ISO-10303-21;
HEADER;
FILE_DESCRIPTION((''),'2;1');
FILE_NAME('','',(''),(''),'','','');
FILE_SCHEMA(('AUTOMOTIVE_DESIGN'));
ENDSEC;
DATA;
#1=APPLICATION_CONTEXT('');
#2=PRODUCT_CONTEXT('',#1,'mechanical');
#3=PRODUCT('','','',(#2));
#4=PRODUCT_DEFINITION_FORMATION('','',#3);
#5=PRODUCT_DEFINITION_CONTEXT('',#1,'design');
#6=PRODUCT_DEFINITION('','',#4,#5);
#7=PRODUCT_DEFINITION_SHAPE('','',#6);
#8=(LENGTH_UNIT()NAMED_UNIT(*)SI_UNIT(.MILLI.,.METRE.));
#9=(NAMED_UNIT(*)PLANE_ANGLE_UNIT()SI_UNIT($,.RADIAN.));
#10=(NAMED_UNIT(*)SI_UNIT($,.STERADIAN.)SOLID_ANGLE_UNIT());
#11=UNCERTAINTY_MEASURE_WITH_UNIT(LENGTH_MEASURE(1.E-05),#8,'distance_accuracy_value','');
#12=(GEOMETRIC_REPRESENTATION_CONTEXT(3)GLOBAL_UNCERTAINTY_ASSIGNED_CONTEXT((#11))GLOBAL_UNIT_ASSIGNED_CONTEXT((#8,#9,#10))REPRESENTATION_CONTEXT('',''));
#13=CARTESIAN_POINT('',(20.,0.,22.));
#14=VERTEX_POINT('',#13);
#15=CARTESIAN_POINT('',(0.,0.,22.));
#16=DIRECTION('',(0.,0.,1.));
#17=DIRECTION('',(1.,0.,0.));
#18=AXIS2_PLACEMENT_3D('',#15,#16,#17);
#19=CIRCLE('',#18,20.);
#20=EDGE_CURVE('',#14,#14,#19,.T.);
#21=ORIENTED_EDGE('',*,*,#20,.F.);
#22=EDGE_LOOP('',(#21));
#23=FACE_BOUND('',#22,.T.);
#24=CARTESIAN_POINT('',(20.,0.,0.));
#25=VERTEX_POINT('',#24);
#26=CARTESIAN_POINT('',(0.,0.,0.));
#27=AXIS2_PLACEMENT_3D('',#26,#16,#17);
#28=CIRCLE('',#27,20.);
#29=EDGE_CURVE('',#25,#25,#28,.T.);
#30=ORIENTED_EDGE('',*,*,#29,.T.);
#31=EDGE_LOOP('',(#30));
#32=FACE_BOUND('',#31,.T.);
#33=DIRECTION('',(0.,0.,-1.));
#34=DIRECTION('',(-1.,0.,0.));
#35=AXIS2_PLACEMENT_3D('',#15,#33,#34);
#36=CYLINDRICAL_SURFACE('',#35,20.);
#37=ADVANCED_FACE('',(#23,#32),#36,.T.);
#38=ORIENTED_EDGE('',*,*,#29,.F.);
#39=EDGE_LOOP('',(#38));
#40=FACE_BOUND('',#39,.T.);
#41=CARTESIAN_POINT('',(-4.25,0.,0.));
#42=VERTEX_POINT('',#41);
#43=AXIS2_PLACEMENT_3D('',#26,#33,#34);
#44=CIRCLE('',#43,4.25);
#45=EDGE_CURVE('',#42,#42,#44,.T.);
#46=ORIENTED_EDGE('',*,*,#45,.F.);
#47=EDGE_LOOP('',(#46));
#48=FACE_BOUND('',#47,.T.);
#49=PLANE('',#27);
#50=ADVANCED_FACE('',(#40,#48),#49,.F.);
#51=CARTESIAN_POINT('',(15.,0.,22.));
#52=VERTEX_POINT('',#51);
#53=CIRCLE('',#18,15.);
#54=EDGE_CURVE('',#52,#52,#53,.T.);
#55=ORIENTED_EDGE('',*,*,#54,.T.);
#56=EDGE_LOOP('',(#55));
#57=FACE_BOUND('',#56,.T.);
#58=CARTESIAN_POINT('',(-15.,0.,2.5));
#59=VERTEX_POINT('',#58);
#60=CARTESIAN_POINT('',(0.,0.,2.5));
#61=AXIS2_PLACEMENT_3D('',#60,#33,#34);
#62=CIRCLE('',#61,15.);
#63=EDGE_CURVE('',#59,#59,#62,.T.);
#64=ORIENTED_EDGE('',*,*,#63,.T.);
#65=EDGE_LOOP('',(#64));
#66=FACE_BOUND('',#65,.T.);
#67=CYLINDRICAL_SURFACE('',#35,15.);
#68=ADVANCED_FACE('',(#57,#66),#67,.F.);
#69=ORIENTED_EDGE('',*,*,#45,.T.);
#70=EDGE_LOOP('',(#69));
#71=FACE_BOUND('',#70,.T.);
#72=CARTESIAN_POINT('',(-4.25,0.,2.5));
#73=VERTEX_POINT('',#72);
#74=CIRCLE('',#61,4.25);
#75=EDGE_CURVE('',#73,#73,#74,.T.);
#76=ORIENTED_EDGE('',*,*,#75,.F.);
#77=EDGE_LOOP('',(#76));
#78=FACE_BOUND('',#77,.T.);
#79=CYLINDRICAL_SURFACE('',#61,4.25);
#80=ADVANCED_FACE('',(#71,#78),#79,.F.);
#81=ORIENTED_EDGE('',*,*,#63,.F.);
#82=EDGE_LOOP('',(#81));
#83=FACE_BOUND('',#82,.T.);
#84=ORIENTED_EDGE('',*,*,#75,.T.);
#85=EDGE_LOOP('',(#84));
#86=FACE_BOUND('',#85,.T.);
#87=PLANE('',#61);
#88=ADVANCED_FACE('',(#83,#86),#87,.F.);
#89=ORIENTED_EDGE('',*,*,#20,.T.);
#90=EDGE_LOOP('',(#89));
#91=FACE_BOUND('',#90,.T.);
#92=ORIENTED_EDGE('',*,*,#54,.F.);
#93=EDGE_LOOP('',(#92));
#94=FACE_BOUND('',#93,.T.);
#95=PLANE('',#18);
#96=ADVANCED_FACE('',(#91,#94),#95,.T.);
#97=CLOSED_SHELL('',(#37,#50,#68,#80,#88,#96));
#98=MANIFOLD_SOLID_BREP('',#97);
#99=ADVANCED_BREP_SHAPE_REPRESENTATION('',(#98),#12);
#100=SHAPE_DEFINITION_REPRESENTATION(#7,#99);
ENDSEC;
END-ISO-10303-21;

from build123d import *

# Parameters (mm, degrees)
ESQUISSE1_R             = 20
ESQUISSE1_R_2           = 15
BOSS_EXTRU_1_DEPTH      = 22
ESQUISSE5_R             = 15
BOSS_EXTRU_3_DEPTH      = 2.5
ESQUISSE12_R            = 4.25
ENL_V_MAT_EXTRU_2_DEPTH = 2.5


with BuildPart() as part:
    # Esquisse1 → Boss.-Extru.1 (new body)
    with BuildSketch(Plane.XY):
        Circle(ESQUISSE1_R)
        Circle(ESQUISSE1_R_2, mode=Mode.SUBTRACT)
    extrude(amount=BOSS_EXTRU_1_DEPTH)

    # Esquisse5 → Boss.-Extru.3 (add)
    with BuildSketch(Plane(origin=(0, 0, 0), x_dir=(-1, 0, 0), z_dir=(0, 0, -1))):
        Circle(ESQUISSE5_R)
    extrude(amount=-BOSS_EXTRU_3_DEPTH)

    # Esquisse12 → Enlèv. mat.-Extru.2 (cut)
    with BuildSketch(Plane(origin=(0, 0, 0), x_dir=(-1, 0, 0), z_dir=(0, 0, -1))):
        Circle(ESQUISSE12_R)
    extrude(amount=-ENL_V_MAT_EXTRU_2_DEPTH, mode=Mode.SUBTRACT)


solid = part.part
